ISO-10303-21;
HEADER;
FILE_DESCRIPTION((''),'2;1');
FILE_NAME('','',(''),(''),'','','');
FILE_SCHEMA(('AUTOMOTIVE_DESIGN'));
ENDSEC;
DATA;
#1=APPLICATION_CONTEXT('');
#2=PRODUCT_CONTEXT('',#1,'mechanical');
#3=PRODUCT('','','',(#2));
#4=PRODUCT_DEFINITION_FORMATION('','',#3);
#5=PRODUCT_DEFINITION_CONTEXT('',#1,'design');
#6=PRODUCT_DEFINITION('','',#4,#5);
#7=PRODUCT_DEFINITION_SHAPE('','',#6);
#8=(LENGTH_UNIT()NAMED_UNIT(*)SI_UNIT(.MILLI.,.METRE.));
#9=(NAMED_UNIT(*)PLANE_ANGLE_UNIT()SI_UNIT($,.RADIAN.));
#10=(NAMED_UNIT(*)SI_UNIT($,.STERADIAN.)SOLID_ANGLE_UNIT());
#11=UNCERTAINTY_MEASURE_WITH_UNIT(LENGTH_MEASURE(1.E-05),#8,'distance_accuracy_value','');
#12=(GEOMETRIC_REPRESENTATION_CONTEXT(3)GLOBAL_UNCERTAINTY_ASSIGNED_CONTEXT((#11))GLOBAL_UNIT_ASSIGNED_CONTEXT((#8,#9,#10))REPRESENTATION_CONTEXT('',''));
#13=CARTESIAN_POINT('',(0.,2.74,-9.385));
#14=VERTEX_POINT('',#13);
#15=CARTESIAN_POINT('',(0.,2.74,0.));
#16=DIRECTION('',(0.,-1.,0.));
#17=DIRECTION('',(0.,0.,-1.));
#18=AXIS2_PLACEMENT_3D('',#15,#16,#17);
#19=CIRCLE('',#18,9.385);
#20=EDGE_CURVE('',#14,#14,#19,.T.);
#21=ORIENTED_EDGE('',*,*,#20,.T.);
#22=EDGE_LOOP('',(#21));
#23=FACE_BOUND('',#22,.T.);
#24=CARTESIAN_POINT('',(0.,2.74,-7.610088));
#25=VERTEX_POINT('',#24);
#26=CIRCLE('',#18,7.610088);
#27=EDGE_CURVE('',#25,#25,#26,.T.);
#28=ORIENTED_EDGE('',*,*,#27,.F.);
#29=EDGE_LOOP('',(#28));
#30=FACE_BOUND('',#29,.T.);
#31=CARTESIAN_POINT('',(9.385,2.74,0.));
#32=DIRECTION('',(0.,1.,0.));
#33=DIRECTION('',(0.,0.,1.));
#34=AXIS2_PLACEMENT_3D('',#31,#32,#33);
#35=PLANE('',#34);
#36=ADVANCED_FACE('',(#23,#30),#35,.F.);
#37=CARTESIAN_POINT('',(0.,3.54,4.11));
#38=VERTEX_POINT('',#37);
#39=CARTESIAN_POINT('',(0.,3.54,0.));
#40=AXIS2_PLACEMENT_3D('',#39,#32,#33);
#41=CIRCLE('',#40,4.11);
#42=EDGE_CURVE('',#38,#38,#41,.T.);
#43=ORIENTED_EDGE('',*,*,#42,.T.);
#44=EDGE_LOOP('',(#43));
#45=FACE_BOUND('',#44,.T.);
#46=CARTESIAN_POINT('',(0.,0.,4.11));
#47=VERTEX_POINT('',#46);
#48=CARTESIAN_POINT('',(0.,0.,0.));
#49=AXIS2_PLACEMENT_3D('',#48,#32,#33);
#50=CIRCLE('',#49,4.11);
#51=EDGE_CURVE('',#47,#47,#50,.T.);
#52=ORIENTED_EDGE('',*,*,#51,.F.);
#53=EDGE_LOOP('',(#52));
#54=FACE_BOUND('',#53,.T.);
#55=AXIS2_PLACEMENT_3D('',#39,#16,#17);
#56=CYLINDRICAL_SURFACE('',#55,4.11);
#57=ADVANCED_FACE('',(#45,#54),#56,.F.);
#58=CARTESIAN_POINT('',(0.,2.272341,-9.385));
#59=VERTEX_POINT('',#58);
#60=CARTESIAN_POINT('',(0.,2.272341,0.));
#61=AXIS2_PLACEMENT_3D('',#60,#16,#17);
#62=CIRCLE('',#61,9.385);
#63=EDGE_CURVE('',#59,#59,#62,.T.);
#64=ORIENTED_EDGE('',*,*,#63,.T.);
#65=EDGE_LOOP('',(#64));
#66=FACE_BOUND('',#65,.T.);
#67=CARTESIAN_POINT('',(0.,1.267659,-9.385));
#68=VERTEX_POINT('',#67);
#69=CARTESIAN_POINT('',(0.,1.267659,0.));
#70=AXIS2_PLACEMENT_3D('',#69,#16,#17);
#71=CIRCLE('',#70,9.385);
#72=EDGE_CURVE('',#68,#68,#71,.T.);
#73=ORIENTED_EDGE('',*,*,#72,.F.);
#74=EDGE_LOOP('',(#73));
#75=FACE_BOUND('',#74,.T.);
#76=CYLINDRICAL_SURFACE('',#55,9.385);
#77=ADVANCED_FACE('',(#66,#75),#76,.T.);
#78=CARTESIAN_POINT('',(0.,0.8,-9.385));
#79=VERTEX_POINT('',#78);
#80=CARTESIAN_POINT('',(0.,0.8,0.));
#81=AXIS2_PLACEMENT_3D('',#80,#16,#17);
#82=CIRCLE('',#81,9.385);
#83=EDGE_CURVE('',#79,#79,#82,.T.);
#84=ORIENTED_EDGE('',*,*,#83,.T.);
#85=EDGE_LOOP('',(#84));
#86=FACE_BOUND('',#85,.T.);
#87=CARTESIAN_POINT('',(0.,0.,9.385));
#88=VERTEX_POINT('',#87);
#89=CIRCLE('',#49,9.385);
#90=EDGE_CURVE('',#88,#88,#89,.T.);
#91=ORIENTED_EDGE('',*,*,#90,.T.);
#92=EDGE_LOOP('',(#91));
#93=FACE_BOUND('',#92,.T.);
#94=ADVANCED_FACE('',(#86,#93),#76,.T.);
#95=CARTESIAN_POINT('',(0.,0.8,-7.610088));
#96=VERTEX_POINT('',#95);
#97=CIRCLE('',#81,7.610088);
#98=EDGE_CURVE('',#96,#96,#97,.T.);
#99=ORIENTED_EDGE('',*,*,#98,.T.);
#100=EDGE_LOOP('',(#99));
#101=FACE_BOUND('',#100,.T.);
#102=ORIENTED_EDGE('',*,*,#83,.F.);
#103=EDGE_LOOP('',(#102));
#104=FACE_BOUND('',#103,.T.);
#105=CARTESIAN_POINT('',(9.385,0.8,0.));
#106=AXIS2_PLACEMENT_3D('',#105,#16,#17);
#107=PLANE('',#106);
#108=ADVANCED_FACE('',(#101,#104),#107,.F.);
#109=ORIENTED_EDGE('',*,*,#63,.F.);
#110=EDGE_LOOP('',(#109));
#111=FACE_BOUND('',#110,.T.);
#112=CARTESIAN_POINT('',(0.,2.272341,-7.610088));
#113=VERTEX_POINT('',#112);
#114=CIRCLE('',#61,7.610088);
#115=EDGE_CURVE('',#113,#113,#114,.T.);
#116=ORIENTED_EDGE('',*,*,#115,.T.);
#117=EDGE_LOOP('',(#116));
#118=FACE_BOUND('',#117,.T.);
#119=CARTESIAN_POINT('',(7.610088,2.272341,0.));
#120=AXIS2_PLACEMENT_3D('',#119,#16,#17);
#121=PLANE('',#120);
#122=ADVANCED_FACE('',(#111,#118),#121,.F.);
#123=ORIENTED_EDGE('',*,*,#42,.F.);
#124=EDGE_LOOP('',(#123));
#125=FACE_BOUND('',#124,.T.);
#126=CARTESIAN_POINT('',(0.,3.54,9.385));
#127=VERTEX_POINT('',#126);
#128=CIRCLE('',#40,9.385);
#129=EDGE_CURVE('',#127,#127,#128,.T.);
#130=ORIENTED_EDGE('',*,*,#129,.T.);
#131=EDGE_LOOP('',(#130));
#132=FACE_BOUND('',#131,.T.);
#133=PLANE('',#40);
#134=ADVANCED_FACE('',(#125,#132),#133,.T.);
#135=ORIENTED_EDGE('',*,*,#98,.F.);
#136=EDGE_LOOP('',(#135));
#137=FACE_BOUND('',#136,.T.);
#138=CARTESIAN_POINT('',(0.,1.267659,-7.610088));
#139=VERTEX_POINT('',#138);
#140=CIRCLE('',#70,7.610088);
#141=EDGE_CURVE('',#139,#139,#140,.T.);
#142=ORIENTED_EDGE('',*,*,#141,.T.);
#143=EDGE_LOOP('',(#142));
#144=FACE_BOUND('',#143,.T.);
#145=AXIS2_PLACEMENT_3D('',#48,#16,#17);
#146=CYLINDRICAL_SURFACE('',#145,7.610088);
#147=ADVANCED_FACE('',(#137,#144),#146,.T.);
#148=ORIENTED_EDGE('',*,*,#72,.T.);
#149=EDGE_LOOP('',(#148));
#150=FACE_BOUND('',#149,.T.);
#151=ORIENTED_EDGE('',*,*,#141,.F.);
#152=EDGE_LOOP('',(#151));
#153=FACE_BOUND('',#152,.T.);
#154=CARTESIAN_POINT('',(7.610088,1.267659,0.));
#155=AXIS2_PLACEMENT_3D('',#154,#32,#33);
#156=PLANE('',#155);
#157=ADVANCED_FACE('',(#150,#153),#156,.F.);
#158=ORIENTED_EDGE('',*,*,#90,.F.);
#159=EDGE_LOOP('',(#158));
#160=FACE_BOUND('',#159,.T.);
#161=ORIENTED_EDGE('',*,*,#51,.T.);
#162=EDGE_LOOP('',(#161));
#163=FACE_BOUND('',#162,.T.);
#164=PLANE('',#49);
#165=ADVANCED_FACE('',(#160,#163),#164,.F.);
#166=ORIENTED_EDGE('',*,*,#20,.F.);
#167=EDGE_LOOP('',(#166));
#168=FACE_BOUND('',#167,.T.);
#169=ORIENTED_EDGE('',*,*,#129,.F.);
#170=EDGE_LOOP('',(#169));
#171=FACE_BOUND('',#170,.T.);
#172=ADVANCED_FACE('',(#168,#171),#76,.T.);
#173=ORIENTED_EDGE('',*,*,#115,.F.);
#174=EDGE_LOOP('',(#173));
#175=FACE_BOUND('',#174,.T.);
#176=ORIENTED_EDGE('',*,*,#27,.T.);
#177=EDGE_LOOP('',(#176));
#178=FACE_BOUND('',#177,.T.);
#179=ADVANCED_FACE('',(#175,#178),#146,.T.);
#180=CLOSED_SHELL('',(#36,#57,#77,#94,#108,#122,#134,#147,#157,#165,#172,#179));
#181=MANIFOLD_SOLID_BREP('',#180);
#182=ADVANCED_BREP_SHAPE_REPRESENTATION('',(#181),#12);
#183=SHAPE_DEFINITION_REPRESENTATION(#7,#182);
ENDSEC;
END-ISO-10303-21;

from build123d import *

# Parameters (mm, degrees)
SKETCH1_R           = 9.385
SKETCH1_R_2         = 4.11
BOSS_EXTRUDE1_DEPTH = 3.54
SKETCH2_W           = 1.774911553
SKETCH2_H           = 0.467659067


with BuildPart() as part:
    # Sketch1 → Boss-Extrude1 (new body)
    with BuildSketch(Plane(origin=(0, 0, 0), x_dir=(1, 0, 0), z_dir=(0, 1, 0))):
        Circle(SKETCH1_R)
        Circle(SKETCH1_R_2, mode=Mode.SUBTRACT)
    extrude(amount=BOSS_EXTRUDE1_DEPTH)

    # Sketch2 → Cut-Revolve1 (revolve, cut)
    with BuildSketch(Plane.XY):
        with Locations((8.497544224, 1.033829534)):
            Rectangle(SKETCH2_W, SKETCH2_H)
        with Locations((8.497544224, 2.506170467)):
            Rectangle(SKETCH2_W, SKETCH2_H)
    revolve(axis=Axis((0, 0, 0), (0, 1, 0)), mode=Mode.SUBTRACT)


solid = part.part
